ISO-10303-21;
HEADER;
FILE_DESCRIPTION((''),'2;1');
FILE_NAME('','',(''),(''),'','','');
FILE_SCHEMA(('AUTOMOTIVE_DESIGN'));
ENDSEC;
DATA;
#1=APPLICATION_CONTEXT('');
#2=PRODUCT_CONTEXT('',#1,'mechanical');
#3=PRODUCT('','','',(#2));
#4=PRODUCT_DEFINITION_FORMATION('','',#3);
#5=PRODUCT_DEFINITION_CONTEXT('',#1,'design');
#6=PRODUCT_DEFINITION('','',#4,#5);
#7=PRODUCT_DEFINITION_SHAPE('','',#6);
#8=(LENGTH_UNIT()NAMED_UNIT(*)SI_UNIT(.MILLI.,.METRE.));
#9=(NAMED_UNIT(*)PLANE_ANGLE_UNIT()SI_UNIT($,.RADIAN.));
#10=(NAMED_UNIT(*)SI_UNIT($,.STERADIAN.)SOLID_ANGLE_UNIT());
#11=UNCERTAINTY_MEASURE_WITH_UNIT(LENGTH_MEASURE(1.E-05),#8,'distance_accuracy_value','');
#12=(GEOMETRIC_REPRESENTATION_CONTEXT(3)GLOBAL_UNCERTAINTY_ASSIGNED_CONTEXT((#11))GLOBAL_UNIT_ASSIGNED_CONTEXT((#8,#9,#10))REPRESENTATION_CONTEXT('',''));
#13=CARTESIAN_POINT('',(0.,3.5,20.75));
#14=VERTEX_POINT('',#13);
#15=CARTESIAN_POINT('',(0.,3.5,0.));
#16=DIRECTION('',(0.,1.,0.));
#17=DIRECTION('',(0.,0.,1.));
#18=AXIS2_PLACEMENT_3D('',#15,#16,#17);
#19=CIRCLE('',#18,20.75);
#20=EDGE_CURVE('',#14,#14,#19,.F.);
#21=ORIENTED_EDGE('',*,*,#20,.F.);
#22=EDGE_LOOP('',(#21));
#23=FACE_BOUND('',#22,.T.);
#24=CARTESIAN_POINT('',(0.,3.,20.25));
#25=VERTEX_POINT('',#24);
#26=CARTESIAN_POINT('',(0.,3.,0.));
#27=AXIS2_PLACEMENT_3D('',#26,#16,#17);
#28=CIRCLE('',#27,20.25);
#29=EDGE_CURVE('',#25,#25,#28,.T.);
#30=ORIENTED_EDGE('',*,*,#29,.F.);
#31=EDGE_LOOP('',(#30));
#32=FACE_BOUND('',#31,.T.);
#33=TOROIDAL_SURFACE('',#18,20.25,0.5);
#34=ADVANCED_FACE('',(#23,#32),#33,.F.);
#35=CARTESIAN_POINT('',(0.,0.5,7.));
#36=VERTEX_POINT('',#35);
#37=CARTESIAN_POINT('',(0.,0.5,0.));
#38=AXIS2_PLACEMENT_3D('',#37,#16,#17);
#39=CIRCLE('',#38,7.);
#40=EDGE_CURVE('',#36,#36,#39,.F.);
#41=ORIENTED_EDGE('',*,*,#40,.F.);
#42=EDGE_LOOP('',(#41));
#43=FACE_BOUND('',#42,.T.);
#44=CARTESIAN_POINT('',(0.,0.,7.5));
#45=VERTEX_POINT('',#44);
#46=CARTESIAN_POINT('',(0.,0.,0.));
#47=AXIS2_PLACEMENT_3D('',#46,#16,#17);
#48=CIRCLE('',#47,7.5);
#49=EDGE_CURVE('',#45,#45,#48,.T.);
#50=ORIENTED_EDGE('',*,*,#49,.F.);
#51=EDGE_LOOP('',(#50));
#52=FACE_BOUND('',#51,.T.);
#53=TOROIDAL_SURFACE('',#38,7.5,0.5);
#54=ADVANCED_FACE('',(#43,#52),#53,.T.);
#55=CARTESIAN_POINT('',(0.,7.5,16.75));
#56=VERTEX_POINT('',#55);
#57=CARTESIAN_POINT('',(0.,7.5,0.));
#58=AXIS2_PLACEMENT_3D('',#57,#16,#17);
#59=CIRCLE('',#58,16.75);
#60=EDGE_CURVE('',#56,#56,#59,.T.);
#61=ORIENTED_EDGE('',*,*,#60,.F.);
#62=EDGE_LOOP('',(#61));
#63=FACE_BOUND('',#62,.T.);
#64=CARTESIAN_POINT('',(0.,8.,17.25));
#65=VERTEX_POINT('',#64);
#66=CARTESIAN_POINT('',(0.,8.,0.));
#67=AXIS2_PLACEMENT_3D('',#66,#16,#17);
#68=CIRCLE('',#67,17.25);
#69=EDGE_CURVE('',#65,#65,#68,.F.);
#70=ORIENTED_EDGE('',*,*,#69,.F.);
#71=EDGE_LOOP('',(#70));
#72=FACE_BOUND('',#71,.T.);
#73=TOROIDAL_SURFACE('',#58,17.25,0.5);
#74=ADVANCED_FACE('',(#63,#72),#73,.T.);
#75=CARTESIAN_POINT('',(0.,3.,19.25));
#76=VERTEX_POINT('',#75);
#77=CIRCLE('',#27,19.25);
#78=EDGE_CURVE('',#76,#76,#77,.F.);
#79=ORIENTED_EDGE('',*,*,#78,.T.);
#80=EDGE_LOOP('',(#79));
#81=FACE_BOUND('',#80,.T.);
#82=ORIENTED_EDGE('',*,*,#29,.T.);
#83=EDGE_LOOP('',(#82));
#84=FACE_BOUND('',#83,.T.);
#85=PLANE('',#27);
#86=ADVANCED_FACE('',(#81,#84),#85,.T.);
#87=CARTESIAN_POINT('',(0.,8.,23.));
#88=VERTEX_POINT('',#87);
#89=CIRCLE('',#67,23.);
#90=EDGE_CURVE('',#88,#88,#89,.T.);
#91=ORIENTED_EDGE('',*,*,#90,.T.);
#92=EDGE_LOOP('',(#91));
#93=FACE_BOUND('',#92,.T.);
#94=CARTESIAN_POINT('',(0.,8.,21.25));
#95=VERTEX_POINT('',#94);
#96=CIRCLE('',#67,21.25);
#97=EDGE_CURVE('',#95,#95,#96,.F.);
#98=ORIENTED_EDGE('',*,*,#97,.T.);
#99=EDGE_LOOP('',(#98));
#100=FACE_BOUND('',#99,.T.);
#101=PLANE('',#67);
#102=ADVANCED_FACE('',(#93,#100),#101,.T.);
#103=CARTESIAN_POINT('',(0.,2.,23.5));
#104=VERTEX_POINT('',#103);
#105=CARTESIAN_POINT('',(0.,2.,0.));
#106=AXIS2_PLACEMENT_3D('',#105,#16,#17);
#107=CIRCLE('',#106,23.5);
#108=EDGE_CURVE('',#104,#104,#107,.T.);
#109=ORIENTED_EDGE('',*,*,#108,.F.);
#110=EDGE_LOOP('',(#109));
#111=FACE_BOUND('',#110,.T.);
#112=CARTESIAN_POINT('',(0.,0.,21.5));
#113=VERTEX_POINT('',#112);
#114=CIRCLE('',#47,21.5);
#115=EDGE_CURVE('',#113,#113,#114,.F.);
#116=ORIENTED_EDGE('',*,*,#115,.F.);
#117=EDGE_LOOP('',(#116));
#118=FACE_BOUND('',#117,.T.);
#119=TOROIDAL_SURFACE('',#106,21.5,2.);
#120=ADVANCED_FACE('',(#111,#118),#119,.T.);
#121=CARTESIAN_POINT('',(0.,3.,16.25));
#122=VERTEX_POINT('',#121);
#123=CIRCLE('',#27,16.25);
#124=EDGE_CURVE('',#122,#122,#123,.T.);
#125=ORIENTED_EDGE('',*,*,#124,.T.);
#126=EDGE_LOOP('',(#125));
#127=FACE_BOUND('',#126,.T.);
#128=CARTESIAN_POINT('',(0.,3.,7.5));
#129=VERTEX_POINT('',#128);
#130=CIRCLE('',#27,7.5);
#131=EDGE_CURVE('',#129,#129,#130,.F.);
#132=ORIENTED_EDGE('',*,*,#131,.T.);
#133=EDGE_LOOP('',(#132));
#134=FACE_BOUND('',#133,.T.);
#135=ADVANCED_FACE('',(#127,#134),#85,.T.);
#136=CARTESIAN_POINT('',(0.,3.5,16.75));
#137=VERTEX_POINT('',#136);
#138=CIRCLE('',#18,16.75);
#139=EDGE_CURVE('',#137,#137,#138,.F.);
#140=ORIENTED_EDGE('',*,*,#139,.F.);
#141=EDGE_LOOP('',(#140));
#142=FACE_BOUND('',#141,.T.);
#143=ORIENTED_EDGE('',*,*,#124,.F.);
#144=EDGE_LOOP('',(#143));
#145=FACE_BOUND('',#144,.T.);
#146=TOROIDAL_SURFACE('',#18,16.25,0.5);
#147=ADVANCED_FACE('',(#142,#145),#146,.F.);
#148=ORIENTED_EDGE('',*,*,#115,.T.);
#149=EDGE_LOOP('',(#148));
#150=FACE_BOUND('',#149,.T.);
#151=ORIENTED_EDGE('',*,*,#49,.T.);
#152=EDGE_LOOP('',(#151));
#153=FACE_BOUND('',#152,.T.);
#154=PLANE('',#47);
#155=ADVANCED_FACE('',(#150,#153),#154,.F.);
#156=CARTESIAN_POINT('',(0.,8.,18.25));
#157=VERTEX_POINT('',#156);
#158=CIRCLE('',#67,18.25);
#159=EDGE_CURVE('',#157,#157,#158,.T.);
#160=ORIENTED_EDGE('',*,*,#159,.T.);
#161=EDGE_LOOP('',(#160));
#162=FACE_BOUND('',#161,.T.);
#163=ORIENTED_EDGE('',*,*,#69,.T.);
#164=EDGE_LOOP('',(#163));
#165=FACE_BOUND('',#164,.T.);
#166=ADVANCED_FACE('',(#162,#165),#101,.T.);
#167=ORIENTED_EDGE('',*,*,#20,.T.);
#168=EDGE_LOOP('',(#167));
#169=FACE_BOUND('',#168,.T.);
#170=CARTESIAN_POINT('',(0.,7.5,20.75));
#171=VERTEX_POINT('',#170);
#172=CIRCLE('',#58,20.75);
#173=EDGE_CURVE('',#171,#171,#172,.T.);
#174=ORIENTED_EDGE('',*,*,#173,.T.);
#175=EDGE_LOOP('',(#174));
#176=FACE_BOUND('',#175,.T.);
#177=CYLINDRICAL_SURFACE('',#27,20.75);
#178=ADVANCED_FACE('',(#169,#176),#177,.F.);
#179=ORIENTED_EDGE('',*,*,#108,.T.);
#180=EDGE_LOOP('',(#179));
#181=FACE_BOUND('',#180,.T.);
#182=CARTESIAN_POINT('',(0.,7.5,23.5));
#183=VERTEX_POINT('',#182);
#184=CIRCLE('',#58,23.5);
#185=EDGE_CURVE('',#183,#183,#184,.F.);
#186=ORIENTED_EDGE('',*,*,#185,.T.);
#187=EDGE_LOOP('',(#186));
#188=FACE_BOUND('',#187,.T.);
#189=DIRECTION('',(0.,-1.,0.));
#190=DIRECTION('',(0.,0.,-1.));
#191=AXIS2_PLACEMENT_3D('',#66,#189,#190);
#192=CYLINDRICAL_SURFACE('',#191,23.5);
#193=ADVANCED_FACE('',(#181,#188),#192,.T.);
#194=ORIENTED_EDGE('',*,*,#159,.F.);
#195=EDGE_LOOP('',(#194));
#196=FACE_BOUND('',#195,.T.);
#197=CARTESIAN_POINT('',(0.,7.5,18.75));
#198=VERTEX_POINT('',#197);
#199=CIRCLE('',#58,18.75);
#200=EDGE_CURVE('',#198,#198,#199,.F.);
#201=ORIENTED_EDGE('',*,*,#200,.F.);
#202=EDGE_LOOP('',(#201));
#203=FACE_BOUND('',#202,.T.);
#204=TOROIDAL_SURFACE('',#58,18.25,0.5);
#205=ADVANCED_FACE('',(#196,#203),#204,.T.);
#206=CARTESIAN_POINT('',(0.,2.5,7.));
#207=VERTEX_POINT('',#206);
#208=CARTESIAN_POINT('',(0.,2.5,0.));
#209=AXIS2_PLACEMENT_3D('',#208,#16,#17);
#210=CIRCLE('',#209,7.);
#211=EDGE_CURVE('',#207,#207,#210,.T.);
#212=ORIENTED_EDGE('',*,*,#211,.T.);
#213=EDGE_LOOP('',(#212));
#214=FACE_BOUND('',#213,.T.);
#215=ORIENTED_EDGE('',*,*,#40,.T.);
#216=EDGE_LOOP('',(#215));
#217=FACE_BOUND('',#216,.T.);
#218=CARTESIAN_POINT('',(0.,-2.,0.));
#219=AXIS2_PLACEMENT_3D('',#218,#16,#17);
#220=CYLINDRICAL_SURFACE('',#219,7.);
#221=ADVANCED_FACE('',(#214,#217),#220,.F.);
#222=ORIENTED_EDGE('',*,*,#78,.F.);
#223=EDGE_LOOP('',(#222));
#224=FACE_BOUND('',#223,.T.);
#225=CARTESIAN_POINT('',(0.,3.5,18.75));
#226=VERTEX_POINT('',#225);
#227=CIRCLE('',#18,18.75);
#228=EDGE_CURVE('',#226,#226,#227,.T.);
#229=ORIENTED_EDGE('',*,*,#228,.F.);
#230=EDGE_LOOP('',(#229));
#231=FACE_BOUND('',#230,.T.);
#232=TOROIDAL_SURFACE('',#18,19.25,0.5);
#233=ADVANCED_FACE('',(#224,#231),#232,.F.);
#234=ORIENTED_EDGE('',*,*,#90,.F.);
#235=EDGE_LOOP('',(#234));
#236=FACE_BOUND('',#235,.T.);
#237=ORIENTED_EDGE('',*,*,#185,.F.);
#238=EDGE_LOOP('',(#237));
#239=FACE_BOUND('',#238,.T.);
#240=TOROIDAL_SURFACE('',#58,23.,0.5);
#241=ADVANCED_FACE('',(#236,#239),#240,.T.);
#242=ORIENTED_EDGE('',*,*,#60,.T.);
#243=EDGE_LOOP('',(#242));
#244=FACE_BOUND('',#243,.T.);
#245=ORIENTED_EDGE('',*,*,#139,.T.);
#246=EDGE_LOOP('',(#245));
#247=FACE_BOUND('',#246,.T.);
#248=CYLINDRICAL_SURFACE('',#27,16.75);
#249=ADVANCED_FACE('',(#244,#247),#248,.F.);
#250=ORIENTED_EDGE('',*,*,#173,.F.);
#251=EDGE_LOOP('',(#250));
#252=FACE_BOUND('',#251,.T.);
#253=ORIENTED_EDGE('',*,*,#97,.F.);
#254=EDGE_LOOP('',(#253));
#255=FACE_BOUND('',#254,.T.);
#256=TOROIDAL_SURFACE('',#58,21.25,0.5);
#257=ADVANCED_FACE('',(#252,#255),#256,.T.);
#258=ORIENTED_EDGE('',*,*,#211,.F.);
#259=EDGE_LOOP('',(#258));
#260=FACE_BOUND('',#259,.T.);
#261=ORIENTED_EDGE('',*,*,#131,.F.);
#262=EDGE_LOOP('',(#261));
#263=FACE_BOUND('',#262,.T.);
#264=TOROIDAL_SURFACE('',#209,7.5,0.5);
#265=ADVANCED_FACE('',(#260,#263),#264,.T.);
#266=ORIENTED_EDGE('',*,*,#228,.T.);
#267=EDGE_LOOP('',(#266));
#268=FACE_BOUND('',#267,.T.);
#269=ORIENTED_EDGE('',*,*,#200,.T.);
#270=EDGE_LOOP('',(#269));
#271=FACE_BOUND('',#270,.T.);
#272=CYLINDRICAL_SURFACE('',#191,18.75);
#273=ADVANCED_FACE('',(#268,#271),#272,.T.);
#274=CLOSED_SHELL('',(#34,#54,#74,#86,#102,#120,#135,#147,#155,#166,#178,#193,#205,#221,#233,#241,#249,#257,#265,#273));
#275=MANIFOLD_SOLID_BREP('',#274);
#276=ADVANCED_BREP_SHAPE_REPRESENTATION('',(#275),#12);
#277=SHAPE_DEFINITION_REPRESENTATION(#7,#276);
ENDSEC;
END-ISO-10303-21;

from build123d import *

# Parameters (mm, degrees)
SKETCH1_R           = 23.5
BOSS_EXTRUDE1_DEPTH = 8
SKETCH2_R           = 20.75
CUT_EXTRUDE1_DEPTH  = 5
SKETCH3_R           = 18.75
BOSS_EXTRUDE2_DEPTH = 5
SKETCH4_R           = 16.75
CUT_EXTRUDE2_DEPTH  = 5
SKETCH5_R           = 7
CUT_EXTRUDE3_DEPTH  = 5
FILLET2_R           = 0.5
FILLET3_R           = 2


with BuildPart() as part:
    # Sketch1 → Boss-Extrude1 (new body)
    with BuildSketch(Plane(origin=(0, 0, 0), x_dir=(1, 0, 0), z_dir=(0, 1, 0))):
        with Locations(Location((0, 0, 0), (0, 0, 270))):
            Circle(SKETCH1_R)
    extrude(amount=BOSS_EXTRUDE1_DEPTH)

    # Sketch2 → Cut-Extrude1 (cut)
    with BuildSketch(Plane(origin=(0, 8, 0), x_dir=(1, 0, 0), z_dir=(0, 1, 0))):
        with Locations(Location((0, 0, 0), (0, 0, 270))):
            Circle(SKETCH2_R)
    extrude(amount=-CUT_EXTRUDE1_DEPTH, mode=Mode.SUBTRACT)

    # Sketch3 → Boss-Extrude2 (add)
    with BuildSketch(Plane(origin=(0, 3, 0), x_dir=(1, 0, 0), z_dir=(0, 1, 0))):
        with Locations(Location((0, 0, 0), (0, 0, 270))):
            Circle(SKETCH3_R)
    extrude(amount=BOSS_EXTRUDE2_DEPTH)

    # Sketch4 → Cut-Extrude2 (cut)
    with BuildSketch(Plane(origin=(0, 8, 0), x_dir=(1, 0, 0), z_dir=(0, 1, 0))):
        with Locations(Location((0, 0, 0), (0, 0, 270))):
            Circle(SKETCH4_R)
    extrude(amount=-CUT_EXTRUDE2_DEPTH, mode=Mode.SUBTRACT)

    # Sketch5 → Cut-Extrude3 (cut)
    with BuildSketch(Plane(origin=(0, 3, 0), x_dir=(1, 0, 0), z_dir=(0, 1, 0))):
        with Locations(Location((0, 0, 0), (0, 0, 270))):
            Circle(SKETCH5_R)
    extrude(amount=-CUT_EXTRUDE3_DEPTH, mode=Mode.SUBTRACT)

    # Fillet2
    fillet2_edges = [part.edges().sort_by_distance(p)[0] for p in [
        (0, 8, -23.5),
        (0, 0, -7),
        (0, 8, -20.75),
        (0, 3, -7),
        (0, 3, -20.75),
        (0, 3, -16.75),
        (0, 3, -18.75),
        (0, 8, -16.75),
        (0, 8, -18.75),
    ]]
    fillet(fillet2_edges, radius=FILLET2_R)

    # Fillet3
    fillet3_edges = [part.edges().sort_by_distance(p)[0] for p in [
        (0, 0, -23.5),
    ]]
    fillet(fillet3_edges, radius=FILLET3_R)


solid = part.part
